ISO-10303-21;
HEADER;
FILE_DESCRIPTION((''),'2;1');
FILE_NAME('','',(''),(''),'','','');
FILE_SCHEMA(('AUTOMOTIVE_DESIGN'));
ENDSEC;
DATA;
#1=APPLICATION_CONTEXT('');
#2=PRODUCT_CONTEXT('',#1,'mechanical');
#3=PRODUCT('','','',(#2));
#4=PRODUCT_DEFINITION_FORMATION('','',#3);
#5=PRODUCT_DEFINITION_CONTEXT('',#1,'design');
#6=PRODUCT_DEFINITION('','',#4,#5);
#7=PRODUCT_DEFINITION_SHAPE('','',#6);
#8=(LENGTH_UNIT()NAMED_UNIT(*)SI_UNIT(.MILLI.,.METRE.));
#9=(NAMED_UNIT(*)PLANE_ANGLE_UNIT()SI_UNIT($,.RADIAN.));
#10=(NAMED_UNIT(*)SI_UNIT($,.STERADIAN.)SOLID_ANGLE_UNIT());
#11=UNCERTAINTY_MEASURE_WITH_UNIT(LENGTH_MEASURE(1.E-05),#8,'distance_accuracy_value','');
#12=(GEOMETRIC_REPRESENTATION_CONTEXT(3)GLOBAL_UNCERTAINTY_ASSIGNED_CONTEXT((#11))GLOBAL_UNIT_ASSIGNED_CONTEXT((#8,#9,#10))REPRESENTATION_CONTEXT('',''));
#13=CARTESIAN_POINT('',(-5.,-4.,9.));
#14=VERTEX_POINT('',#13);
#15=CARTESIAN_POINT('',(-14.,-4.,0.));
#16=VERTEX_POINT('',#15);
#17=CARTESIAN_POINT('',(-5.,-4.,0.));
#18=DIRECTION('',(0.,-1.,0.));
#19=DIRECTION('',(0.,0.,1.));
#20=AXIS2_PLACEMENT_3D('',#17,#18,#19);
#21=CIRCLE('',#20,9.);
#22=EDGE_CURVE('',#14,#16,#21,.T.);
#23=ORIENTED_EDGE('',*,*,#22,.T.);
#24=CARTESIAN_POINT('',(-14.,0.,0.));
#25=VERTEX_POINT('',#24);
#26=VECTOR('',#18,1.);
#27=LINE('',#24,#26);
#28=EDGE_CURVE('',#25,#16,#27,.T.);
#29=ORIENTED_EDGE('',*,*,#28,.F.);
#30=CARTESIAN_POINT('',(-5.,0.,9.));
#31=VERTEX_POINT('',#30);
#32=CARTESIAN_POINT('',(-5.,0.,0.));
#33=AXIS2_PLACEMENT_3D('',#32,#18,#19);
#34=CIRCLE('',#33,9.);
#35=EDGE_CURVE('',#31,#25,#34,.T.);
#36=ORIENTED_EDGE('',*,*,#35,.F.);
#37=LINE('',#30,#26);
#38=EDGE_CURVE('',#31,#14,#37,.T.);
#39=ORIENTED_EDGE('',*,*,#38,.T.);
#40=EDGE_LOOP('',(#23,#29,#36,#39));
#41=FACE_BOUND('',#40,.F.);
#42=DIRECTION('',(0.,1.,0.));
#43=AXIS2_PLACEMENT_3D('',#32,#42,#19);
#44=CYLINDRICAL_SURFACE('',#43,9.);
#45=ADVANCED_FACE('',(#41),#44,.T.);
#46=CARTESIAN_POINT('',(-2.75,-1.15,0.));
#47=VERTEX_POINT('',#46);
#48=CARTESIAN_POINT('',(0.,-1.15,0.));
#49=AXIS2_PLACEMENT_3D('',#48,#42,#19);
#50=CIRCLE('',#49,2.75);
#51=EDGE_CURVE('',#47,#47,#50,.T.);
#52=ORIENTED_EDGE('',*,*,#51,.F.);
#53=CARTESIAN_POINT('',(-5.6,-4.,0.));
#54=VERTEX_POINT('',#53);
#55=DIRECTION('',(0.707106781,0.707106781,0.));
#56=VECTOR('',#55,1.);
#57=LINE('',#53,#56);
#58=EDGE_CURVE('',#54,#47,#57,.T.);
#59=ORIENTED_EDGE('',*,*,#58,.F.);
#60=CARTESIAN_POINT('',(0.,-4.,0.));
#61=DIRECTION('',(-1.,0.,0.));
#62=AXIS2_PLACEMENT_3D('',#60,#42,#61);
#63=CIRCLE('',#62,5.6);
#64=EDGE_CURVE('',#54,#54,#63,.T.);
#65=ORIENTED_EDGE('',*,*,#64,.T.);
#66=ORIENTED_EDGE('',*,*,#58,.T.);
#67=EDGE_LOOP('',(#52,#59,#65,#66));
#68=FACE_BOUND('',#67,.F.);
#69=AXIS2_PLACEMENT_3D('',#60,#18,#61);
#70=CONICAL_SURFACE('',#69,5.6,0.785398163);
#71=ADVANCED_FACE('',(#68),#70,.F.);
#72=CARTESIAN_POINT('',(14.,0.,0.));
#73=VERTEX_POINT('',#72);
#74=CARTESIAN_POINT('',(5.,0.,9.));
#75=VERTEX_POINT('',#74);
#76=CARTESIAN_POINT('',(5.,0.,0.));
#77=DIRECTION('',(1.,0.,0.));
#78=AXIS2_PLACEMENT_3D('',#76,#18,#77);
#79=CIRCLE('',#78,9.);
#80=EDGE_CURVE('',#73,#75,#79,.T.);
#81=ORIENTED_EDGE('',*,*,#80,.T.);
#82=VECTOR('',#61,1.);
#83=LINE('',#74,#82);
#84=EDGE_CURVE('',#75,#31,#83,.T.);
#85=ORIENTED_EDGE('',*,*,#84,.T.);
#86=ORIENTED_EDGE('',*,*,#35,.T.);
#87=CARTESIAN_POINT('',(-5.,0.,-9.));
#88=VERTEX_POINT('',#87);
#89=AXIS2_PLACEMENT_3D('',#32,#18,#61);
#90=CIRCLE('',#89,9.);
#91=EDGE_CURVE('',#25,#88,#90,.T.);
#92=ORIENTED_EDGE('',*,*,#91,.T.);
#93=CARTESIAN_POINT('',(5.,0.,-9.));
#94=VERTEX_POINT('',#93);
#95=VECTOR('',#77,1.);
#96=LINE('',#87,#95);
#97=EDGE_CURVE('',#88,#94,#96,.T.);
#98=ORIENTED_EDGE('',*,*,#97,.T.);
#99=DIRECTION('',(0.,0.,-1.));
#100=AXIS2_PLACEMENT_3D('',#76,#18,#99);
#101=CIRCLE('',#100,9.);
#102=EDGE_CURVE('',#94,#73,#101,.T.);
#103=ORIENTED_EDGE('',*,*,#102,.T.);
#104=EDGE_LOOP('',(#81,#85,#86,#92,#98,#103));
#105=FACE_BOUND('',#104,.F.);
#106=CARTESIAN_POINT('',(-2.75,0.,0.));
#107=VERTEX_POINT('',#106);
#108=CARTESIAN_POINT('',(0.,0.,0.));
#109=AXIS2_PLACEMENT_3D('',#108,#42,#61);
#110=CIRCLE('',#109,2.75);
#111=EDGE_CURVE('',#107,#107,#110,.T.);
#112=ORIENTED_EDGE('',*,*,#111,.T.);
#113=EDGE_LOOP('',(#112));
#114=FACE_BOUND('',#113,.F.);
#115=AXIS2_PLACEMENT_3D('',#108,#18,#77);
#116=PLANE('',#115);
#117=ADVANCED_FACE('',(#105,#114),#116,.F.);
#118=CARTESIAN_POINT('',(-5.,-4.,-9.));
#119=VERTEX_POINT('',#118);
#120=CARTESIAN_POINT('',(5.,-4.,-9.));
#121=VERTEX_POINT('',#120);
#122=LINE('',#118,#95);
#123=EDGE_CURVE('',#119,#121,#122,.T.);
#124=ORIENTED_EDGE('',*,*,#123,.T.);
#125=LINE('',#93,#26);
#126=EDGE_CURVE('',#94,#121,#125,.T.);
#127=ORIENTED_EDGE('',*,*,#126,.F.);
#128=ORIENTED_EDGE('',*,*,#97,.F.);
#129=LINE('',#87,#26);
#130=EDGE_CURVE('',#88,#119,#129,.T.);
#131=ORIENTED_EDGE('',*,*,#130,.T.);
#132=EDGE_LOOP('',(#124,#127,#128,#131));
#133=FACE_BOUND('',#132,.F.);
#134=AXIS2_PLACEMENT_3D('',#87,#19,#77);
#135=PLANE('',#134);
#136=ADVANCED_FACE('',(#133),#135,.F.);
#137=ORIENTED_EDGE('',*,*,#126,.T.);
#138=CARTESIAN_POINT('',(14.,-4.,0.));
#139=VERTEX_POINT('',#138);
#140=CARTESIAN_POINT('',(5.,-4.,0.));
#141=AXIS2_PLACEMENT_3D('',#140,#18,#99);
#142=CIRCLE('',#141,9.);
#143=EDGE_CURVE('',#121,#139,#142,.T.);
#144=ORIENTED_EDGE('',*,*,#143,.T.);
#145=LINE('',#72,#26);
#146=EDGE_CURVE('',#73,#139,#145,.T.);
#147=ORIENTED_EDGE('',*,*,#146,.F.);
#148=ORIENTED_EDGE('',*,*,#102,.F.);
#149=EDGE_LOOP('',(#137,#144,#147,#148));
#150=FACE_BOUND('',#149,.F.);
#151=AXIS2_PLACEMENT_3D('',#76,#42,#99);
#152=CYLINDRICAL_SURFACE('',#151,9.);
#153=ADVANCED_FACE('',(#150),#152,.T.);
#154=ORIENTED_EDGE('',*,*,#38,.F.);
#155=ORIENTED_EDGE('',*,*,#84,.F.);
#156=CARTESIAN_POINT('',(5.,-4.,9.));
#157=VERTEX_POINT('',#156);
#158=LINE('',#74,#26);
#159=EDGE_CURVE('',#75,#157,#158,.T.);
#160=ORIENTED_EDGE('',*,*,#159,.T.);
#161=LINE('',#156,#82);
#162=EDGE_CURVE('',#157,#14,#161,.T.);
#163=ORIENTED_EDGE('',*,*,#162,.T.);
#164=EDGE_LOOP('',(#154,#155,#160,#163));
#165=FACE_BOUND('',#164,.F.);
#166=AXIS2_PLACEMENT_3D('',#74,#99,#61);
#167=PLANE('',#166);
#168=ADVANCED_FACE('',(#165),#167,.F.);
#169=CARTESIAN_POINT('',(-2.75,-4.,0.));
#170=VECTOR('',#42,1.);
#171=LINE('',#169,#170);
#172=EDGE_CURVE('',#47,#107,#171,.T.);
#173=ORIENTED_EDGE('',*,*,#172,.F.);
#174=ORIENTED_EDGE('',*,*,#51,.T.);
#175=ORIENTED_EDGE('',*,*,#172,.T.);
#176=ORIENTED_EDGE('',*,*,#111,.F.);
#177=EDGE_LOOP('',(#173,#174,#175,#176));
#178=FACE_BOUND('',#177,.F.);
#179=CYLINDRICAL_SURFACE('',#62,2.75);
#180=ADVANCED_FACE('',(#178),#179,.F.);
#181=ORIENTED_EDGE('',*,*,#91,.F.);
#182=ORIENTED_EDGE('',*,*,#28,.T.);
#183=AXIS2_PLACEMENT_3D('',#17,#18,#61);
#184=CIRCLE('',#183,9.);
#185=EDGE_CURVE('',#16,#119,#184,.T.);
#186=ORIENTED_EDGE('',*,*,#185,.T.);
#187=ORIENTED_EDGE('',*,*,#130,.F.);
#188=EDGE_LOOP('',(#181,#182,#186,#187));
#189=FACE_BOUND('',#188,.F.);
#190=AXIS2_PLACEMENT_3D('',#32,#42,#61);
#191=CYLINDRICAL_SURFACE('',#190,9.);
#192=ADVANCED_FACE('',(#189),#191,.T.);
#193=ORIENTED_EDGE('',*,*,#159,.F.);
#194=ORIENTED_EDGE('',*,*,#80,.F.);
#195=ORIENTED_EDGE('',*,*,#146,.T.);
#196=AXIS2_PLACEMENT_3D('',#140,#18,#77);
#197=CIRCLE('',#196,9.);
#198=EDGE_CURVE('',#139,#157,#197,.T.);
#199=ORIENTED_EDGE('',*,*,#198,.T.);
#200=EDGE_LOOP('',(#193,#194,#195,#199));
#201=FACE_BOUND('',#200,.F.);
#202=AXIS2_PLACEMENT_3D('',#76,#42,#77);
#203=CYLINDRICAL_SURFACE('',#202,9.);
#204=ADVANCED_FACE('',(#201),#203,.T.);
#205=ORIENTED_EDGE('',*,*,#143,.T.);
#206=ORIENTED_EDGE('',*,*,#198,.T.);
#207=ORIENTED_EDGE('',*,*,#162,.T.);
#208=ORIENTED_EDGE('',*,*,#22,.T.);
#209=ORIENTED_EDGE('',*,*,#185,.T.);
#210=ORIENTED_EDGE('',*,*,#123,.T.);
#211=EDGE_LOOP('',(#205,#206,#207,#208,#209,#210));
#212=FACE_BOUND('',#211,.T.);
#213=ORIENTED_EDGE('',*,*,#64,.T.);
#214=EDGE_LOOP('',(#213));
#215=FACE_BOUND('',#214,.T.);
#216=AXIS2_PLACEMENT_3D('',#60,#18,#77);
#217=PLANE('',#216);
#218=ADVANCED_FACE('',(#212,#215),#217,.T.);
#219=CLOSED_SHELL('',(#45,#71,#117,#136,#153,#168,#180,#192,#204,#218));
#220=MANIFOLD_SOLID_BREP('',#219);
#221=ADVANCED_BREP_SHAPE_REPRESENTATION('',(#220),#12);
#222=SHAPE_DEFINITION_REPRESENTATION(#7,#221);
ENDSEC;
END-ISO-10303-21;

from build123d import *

# Parameters (mm, degrees)
F1_DEPTH       = 4
F3_D           = 5.5
F3_CSINK_D     = 11.2
F3_CSINK_ANGLE = 90


with BuildPart() as f1:
    # F0 (on Front) → F1 (new body)
    with BuildSketch(Plane.XZ):
        with BuildLine():
            ThreePointArc((-14, 0), (-11.3639610307, -6.3639610307), (-5, -9))
            Line((-5, -9), (5, -9))
            ThreePointArc((5, -9), (11.3639610307, -6.3639610307), (14, 0))
            ThreePointArc((14, 0), (11.3639610307, 6.3639610307), (5, 9))
            Line((5, 9), (-5, 9))
            ThreePointArc((-5, 9), (-11.3639610307, 6.3639610307), (-14, 0))
        make_face()
    extrude(amount=F1_DEPTH)

    # F3 (through all)
    with Locations(Plane.XZ.offset(4)):
        with Locations((0, 0)):
            CounterSinkHole(F3_D / 2, F3_CSINK_D / 2, counter_sink_angle=F3_CSINK_ANGLE)


solid = f1.part
